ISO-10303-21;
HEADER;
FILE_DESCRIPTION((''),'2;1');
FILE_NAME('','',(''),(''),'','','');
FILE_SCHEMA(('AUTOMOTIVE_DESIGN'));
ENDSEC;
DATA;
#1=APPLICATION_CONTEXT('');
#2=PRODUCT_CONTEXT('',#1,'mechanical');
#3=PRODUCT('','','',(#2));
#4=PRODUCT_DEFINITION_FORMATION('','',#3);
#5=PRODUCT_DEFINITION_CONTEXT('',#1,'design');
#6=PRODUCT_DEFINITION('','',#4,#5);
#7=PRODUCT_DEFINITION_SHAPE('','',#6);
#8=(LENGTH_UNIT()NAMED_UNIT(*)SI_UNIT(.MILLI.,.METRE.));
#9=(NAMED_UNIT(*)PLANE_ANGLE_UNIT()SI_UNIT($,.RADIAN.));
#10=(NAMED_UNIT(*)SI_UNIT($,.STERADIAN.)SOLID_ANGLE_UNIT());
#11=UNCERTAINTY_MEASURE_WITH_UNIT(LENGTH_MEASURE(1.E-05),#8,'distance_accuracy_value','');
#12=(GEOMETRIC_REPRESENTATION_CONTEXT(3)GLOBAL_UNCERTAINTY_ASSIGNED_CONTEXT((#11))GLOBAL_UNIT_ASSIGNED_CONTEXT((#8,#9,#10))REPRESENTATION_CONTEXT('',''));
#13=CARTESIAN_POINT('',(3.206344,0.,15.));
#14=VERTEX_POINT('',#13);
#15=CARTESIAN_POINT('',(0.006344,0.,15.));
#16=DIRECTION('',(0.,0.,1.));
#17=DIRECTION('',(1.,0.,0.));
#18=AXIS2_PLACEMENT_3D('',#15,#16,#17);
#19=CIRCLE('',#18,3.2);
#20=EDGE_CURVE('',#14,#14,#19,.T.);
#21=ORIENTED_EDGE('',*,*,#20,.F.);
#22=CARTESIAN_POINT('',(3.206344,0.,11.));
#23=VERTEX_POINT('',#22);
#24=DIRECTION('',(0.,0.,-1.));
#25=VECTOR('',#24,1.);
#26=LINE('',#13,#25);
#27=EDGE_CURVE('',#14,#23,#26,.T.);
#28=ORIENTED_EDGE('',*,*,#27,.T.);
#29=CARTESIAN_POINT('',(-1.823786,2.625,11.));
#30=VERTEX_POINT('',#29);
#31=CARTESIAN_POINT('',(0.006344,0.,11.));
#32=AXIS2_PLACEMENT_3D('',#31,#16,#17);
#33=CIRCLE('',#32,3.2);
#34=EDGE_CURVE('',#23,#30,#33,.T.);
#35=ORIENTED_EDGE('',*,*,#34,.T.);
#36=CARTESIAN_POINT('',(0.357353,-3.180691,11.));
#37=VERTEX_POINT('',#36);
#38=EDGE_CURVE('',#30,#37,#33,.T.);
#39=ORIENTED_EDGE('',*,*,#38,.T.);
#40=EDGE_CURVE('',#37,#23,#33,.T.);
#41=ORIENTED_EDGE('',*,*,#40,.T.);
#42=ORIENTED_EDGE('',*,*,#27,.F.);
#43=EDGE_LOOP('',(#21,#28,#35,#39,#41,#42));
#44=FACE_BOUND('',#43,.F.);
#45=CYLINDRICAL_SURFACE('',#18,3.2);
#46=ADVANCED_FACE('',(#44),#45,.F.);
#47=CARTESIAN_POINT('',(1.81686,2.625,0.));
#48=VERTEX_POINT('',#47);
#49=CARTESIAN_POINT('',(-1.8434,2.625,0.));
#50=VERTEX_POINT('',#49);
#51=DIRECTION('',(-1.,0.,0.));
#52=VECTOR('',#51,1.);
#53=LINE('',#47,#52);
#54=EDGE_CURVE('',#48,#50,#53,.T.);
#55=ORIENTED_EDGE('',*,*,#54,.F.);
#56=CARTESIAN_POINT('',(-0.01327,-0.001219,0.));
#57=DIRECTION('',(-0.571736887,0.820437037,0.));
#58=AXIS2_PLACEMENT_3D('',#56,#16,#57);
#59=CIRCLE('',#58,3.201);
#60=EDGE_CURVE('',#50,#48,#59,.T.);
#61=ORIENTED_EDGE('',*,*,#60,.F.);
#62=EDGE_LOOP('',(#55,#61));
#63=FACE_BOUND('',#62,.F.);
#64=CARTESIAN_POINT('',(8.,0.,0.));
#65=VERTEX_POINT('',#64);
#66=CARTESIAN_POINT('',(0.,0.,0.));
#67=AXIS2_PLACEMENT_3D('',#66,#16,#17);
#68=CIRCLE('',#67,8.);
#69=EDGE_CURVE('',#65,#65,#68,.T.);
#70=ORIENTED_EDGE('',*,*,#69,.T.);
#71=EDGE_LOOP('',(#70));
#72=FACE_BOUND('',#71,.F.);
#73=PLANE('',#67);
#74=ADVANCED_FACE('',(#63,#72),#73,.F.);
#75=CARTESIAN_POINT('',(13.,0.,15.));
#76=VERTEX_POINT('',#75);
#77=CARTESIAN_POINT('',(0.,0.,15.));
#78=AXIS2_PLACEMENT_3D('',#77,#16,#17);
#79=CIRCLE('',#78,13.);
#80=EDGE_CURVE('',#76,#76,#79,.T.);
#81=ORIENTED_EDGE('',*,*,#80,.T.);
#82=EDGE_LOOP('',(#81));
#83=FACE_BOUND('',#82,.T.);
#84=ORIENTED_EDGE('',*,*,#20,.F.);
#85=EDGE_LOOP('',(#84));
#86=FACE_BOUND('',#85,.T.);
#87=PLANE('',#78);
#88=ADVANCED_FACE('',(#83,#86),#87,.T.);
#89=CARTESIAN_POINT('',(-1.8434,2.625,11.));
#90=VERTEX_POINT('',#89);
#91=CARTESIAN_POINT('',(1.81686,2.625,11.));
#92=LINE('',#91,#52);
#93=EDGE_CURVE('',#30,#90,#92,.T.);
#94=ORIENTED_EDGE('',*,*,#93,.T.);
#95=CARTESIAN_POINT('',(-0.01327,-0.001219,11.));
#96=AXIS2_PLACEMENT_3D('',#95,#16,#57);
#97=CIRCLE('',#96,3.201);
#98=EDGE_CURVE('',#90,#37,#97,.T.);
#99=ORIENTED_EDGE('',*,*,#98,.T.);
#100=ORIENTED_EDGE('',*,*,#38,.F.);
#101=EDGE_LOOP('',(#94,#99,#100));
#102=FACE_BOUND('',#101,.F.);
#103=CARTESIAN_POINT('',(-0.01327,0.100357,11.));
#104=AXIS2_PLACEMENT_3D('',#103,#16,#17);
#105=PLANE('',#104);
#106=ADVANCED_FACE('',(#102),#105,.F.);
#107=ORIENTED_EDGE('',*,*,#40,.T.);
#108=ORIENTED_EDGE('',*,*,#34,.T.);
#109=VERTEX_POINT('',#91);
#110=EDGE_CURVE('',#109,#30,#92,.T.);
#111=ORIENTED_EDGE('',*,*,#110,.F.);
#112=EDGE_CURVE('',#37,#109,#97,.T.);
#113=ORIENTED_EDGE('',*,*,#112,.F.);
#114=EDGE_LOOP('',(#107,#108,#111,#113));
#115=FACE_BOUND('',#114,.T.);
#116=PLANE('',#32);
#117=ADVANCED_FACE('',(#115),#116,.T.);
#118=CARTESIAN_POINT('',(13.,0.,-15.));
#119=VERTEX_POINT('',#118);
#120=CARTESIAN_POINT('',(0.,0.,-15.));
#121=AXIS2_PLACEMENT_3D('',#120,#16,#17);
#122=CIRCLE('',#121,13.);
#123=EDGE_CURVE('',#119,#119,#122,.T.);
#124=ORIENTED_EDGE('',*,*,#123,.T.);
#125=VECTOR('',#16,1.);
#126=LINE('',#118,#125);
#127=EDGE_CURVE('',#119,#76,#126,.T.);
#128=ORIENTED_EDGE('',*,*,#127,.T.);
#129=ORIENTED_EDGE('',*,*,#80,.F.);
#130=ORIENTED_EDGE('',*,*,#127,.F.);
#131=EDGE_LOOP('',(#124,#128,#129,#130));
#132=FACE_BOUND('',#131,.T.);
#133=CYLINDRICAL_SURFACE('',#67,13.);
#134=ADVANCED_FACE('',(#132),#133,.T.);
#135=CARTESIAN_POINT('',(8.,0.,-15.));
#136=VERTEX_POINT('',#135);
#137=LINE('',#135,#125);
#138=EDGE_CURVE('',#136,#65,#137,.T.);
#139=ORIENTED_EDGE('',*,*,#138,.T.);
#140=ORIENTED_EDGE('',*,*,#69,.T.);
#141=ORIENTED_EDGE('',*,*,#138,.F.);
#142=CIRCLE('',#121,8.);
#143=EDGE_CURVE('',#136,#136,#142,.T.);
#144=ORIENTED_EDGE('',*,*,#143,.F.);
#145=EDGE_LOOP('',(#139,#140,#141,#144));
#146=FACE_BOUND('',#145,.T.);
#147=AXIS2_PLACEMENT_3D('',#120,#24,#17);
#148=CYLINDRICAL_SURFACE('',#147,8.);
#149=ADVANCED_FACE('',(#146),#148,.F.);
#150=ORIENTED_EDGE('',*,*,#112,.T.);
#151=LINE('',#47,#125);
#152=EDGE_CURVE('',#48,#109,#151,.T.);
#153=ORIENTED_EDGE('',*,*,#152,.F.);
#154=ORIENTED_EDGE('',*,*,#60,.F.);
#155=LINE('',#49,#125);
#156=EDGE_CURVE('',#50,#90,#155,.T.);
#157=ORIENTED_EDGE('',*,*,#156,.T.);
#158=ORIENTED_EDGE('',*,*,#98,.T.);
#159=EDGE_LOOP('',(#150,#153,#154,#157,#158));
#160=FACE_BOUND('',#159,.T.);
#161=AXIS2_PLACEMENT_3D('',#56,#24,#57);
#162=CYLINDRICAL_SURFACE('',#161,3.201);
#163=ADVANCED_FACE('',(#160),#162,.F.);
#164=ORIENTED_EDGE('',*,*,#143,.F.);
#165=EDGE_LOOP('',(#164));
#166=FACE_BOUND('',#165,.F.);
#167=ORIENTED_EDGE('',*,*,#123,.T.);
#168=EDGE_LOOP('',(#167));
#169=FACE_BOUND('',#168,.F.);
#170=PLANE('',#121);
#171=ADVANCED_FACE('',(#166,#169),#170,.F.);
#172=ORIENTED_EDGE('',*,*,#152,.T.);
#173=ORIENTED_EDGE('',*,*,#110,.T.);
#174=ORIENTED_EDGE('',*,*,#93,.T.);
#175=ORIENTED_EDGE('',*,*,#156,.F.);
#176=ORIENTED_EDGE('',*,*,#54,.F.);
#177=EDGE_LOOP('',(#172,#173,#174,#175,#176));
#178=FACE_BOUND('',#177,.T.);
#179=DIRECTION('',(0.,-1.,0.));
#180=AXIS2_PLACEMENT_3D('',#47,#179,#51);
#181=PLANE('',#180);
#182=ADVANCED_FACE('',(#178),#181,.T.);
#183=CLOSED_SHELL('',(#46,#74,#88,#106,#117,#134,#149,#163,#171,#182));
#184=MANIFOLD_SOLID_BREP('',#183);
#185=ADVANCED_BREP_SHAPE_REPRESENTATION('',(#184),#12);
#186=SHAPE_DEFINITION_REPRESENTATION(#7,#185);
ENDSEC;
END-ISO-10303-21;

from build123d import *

# Parameters (mm, degrees)
F0_R     = 13
F5_DEPTH = 15
F4_R     = 8
F6_DEPTH = 15
F3_R     = 3.2
F8_DEPTH = 4
F9_DEPTH = 11


with BuildPart() as f5:
    # F0 (on Top) → F5 (new body, symmetric)
    with BuildSketch(Plane.XY):
        Circle(F0_R)
    extrude(amount=F5_DEPTH, both=True)

    # F4 (on offset) → F6 (cut)
    with BuildSketch(Plane.XY.offset(-15)):
        Circle(F4_R)
    extrude(amount=F6_DEPTH, mode=Mode.SUBTRACT)

    # F3 (on offset) → F8 (cut)
    with BuildSketch(Plane.XY.offset(15)):
        with Locations((0.0063437128, 0)):
            Circle(F3_R)
    extrude(amount=-F8_DEPTH, mode=Mode.SUBTRACT)

    # F7 (on Top) → F9 (cut)
    with BuildSketch(Plane.XY):
        with BuildLine():
            Line((1.8168599408, 2.625), (-1.8433996128, 2.625))
            ThreePointArc((-1.8433996128, 2.625), (-0.013269836, -3.2022189551), (1.8168599408, 2.625))
        make_face()
    extrude(amount=F9_DEPTH, mode=Mode.SUBTRACT)


solid = f5.part
